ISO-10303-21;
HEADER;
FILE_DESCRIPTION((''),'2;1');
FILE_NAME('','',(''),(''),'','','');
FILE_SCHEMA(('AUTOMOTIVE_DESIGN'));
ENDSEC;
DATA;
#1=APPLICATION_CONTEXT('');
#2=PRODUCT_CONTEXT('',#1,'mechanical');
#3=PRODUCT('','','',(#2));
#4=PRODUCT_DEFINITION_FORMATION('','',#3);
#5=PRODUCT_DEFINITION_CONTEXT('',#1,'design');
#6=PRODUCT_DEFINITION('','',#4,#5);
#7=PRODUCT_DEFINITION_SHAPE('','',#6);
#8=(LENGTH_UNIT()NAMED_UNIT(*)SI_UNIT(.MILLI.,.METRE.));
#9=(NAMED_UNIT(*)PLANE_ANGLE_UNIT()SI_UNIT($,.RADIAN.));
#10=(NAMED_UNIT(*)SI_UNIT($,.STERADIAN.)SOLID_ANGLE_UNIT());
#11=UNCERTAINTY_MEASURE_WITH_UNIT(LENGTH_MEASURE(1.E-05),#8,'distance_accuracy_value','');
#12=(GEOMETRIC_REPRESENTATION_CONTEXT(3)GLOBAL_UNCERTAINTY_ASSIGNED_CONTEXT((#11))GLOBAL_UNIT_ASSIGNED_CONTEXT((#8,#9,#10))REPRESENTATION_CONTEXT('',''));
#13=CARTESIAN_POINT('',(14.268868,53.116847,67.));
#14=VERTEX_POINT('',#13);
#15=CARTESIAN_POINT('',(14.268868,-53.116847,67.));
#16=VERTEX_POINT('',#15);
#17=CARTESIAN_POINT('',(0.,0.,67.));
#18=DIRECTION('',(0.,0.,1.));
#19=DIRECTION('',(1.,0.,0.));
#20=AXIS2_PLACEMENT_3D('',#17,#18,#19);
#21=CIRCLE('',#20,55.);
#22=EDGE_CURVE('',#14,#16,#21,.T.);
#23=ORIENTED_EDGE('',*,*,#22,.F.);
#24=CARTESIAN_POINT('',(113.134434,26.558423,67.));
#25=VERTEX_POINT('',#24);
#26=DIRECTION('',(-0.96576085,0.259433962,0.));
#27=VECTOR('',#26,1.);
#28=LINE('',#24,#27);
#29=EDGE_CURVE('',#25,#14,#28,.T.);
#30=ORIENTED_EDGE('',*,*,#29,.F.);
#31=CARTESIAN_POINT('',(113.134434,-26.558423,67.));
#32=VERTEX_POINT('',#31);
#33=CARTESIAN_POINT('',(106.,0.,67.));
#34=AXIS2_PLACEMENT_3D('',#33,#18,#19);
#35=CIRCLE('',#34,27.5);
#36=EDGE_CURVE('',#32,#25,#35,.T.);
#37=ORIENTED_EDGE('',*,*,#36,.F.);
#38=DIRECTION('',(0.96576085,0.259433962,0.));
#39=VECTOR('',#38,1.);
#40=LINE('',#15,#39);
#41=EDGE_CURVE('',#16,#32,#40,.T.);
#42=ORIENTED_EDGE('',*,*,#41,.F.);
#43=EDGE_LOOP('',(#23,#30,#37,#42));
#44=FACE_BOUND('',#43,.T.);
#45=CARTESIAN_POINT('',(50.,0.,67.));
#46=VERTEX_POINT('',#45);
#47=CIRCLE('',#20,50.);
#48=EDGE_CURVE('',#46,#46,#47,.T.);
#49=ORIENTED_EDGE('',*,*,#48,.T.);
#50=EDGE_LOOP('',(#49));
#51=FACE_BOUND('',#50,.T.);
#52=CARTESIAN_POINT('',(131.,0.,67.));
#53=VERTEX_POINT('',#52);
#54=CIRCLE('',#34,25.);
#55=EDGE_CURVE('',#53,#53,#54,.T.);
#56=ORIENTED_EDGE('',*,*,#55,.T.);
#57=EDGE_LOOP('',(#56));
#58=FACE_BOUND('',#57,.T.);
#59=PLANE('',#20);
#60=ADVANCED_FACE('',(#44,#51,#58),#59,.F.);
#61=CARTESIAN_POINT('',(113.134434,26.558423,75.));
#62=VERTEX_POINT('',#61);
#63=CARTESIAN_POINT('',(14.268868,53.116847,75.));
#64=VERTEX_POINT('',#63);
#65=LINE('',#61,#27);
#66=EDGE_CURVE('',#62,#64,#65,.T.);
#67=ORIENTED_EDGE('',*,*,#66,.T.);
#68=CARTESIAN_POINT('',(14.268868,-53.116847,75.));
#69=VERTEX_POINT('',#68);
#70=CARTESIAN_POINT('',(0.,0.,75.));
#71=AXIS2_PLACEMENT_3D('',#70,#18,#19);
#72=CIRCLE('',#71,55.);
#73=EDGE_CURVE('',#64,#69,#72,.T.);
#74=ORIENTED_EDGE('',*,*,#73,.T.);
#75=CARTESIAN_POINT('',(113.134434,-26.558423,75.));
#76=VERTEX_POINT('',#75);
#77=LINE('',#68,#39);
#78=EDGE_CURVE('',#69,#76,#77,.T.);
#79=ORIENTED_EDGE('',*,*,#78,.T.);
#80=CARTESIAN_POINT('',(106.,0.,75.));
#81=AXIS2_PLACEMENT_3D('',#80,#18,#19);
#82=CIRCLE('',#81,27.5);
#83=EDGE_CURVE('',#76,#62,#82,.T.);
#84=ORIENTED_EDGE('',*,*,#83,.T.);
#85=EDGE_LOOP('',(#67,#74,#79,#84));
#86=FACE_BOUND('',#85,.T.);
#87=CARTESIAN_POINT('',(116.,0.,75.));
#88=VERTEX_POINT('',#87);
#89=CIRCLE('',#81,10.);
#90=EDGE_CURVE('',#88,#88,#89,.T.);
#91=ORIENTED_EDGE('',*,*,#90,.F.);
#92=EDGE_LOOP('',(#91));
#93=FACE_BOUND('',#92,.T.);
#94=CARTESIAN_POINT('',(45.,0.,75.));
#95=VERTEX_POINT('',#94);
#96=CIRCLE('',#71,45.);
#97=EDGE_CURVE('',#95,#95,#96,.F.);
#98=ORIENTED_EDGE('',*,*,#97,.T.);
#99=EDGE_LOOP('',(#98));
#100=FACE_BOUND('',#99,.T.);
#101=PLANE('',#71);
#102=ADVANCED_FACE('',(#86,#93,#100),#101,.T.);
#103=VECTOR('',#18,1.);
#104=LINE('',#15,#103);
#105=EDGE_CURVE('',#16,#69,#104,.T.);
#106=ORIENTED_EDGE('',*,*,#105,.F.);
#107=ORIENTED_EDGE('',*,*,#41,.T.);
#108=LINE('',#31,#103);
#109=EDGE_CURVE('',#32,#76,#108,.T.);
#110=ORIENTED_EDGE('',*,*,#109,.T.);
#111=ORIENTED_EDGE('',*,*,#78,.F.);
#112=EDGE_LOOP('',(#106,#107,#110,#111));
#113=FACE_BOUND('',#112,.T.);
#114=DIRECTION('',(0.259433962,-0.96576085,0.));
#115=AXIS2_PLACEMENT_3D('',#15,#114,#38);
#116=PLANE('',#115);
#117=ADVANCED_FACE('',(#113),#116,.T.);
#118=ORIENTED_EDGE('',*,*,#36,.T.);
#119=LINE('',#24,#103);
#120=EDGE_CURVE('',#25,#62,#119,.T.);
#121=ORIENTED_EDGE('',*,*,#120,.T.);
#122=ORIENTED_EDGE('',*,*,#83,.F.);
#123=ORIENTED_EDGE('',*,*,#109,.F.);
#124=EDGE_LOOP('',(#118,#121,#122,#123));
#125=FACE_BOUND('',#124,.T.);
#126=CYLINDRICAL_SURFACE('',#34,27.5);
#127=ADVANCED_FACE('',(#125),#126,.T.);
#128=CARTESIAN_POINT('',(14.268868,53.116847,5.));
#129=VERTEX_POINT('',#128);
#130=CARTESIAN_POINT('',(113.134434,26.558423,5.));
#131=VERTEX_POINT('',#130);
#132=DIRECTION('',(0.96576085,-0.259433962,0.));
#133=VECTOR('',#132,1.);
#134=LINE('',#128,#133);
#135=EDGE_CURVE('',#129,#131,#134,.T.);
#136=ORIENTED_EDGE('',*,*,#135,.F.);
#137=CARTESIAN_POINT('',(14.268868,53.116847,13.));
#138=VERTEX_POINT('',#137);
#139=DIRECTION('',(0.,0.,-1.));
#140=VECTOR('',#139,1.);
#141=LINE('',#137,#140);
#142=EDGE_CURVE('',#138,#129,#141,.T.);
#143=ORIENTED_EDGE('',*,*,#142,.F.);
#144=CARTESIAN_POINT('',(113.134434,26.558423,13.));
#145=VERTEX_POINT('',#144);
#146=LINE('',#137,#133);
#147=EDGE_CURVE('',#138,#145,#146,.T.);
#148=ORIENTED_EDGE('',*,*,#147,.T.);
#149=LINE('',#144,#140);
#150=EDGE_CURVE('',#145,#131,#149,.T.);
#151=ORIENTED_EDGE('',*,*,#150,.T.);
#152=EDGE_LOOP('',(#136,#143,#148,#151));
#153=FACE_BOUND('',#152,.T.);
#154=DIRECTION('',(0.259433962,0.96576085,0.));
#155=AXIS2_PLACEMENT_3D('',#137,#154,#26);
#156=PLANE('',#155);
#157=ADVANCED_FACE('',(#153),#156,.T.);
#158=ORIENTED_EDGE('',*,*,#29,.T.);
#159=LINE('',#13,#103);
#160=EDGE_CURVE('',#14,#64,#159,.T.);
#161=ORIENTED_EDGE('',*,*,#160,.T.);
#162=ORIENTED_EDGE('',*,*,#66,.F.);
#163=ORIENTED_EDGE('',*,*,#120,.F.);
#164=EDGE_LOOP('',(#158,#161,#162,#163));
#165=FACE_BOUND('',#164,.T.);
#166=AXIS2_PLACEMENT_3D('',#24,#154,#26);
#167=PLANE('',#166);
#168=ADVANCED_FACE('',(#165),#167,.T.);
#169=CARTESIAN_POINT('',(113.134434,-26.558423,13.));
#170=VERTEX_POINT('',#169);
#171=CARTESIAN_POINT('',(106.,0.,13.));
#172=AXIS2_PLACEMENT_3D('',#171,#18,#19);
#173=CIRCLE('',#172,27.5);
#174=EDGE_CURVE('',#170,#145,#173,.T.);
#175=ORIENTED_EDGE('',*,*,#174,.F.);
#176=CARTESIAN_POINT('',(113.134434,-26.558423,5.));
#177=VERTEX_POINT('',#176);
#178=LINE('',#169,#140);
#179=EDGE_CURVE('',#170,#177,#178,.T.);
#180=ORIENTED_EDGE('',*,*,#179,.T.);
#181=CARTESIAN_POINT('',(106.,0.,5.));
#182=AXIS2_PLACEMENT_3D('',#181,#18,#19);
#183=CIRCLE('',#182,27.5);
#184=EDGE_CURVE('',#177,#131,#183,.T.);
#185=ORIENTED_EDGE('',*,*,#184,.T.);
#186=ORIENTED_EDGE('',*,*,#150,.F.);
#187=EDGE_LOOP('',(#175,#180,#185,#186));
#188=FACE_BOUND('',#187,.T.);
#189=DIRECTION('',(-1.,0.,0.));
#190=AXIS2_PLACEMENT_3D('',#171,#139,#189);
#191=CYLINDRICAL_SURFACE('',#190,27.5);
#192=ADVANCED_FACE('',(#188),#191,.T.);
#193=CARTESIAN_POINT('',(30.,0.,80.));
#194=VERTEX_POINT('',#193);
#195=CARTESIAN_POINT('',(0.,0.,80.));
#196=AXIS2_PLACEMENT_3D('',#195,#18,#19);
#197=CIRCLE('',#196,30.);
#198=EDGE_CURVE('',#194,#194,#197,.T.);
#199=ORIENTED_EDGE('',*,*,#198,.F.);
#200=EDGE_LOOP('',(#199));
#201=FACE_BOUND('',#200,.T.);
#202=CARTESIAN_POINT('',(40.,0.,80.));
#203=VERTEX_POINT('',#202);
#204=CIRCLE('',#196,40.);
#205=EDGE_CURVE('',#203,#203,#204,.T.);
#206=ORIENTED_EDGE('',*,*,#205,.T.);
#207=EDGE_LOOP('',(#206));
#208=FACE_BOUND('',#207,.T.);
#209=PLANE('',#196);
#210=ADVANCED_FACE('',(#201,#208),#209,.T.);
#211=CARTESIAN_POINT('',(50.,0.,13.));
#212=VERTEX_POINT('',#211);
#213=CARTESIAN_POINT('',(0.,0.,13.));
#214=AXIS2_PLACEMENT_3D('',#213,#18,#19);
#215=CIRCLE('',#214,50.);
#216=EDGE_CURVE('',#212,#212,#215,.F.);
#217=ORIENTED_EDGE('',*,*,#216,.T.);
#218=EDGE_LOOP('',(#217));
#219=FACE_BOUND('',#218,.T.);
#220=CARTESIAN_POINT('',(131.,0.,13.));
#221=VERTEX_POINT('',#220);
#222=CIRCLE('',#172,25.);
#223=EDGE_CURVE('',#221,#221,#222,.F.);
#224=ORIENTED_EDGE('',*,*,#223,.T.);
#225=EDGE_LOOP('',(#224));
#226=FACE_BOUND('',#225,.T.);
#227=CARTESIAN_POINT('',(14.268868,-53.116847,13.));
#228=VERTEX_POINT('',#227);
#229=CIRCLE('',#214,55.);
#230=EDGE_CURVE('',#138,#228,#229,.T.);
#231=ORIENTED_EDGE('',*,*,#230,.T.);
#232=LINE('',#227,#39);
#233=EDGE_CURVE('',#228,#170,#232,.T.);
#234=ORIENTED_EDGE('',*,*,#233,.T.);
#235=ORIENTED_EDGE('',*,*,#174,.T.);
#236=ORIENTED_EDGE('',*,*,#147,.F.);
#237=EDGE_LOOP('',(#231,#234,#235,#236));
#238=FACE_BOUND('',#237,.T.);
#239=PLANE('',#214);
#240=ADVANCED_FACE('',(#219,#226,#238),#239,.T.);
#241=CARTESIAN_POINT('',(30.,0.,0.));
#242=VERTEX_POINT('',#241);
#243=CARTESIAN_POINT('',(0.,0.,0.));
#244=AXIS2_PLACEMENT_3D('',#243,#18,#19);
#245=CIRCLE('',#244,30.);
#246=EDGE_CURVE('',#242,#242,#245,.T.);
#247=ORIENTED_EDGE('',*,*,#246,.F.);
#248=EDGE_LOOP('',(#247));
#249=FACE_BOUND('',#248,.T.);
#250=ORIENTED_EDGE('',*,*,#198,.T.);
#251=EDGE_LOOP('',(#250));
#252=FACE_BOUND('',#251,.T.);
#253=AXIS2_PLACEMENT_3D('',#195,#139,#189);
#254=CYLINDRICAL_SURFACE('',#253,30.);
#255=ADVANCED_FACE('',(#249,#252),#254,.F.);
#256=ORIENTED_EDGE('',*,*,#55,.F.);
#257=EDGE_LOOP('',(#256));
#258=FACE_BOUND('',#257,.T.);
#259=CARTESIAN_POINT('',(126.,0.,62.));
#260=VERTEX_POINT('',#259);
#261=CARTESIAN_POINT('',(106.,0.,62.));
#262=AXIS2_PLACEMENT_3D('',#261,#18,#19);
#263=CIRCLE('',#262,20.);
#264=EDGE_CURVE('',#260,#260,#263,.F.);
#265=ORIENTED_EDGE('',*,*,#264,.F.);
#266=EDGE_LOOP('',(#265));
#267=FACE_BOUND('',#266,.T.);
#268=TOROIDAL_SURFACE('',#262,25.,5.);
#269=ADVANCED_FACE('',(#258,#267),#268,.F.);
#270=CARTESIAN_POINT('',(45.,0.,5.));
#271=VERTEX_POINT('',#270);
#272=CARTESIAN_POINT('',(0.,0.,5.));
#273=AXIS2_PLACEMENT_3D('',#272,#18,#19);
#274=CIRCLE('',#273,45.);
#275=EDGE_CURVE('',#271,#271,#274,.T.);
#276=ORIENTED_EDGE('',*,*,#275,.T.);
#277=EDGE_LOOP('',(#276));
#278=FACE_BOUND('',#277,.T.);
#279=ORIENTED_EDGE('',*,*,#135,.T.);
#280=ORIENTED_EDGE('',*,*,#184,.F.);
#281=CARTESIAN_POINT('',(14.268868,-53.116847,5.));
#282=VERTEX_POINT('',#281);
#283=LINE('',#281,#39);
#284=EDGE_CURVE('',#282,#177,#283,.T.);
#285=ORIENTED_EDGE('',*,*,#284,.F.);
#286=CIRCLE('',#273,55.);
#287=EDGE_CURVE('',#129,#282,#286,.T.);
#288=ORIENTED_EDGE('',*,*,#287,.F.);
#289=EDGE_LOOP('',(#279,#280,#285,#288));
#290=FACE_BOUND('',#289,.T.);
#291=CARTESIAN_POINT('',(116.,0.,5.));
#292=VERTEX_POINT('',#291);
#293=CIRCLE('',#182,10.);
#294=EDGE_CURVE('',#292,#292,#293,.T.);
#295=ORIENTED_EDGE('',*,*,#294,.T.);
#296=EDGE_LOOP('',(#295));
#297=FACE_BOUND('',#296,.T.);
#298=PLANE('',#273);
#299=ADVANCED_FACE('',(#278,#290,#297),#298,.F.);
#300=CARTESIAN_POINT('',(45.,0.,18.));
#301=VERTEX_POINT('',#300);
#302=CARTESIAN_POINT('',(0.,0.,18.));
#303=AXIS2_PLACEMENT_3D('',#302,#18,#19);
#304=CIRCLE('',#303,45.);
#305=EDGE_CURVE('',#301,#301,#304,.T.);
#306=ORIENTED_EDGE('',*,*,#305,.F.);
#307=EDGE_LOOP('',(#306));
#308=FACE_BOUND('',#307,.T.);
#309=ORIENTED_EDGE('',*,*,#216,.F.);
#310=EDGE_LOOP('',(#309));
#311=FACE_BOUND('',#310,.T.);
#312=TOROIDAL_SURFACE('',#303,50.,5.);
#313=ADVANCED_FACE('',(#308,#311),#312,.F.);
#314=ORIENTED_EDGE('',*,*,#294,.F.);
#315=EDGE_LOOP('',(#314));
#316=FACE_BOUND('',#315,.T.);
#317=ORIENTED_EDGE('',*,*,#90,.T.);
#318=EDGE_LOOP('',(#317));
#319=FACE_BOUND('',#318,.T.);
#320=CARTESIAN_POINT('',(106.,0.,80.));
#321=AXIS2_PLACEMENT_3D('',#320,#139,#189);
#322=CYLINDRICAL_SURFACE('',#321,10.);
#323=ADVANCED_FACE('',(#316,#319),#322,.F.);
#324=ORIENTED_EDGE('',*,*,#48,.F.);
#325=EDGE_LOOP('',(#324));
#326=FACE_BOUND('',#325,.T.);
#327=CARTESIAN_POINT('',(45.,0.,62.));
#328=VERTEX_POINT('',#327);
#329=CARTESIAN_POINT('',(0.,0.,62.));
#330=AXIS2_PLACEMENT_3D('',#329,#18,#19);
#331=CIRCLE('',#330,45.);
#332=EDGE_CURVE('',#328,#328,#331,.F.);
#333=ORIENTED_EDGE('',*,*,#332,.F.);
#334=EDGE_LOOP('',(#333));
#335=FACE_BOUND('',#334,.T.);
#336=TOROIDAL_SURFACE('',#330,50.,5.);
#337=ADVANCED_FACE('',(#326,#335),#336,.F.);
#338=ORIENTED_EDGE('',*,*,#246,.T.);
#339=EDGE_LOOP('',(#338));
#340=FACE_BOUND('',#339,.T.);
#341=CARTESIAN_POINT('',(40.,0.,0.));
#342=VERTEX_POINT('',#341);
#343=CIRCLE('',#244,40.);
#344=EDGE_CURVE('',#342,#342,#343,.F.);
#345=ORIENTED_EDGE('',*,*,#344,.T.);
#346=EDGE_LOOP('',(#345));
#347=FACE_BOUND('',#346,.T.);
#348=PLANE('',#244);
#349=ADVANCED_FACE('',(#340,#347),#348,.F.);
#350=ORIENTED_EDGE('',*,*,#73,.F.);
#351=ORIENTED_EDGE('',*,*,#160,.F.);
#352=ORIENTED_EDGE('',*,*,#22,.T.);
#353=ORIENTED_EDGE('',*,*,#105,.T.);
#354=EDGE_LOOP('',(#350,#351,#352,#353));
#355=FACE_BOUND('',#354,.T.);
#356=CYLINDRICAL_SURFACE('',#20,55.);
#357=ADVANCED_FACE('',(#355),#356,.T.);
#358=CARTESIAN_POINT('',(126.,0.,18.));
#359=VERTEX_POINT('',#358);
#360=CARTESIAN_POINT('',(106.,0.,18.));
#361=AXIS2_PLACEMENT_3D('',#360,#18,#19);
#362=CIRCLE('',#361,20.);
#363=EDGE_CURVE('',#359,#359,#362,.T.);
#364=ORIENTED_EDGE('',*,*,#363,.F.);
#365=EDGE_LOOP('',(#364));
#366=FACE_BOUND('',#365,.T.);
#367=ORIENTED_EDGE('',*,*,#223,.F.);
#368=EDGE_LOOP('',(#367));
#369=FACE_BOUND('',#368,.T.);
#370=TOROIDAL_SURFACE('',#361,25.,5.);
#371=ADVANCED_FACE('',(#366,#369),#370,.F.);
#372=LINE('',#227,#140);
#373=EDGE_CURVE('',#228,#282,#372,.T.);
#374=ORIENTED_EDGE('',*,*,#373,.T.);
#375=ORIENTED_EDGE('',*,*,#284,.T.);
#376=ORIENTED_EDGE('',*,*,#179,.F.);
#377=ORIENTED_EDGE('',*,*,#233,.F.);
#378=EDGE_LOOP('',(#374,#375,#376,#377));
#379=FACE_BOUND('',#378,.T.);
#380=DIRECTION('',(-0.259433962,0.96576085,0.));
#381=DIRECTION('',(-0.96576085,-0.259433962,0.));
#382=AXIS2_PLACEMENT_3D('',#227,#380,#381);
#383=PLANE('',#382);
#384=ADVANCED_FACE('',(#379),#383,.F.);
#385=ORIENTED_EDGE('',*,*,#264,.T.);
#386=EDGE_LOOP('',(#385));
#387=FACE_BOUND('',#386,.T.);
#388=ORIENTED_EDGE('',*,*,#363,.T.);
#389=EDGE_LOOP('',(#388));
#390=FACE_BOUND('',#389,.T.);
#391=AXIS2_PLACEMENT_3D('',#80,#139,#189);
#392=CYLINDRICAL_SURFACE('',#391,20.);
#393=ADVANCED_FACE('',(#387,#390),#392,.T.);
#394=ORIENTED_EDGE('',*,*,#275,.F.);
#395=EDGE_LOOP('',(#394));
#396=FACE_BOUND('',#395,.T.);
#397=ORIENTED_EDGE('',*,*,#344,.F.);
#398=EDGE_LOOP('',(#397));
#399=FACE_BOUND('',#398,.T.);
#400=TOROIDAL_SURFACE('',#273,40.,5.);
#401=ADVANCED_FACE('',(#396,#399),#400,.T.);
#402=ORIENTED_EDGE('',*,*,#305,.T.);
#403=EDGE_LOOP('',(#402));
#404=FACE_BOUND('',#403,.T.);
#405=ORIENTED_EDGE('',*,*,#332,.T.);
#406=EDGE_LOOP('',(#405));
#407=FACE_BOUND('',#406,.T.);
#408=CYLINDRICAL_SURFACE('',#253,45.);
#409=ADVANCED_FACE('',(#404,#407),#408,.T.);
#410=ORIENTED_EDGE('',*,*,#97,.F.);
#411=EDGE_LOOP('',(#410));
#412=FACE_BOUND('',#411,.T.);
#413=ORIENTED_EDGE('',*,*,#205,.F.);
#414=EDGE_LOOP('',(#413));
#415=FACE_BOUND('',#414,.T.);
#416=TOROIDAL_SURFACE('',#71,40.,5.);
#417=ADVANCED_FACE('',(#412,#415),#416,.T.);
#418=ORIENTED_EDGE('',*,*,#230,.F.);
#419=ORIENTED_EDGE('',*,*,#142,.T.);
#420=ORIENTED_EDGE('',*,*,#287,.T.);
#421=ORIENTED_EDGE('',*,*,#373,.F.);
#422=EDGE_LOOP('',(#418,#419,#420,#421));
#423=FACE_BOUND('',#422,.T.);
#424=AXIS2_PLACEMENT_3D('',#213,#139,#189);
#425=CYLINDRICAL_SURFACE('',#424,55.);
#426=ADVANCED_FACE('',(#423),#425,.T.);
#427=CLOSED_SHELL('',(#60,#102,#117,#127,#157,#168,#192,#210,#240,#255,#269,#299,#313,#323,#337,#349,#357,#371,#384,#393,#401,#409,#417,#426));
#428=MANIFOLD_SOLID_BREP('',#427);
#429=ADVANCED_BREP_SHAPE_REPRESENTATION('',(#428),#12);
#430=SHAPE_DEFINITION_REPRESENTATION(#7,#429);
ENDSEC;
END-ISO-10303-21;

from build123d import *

# Parameters (mm, degrees)
SKETCH_1_R               = 45
SKETCH_1_R_2             = 30
EXTRUDE_1_DEPTH          = 80
FILLET_1_R               = 5
EXTRUDE_START            = 5
SKETCH_1_6_R             = 10
SKETCH_1_6_R_2           = 45
EXTRUDE_4_DEPTH          = 8
EXTRUDE_START_2          = -13
SKETCH_3_R               = 10
SKETCH_3_R_2             = 30
EXTRUDE_7_DEPTH          = 8
SKETCH_4_R               = 20
EXTRUDE_9_DEPTH          = 70
CUT_EXTRUDE_1_DEPTH      = 163.702950188
CUT_EXTRUDE_1_DEPTH_BACK = 163.702950188
SKETCH_5_R               = 10
FILLET_2_R               = 5


with BuildPart() as part:
    # 草图1 → 凸台-拉伸1 (new body)
    with BuildSketch(Plane.XY):
        Circle(SKETCH_1_R)
        Circle(SKETCH_1_R_2, mode=Mode.SUBTRACT)
    extrude(amount=EXTRUDE_1_DEPTH)

    # 圆角1
    fillet_1_edges = [part.edges().sort_by_distance(p)[0] for p in [
        (-45, 0, 0),
        (-45, 0, 80),
    ]]
    fillet(fillet_1_edges, radius=FILLET_1_R)

    # 草图1<6> → 凸台-拉伸4 (add)
    with BuildSketch(Plane.XY.offset(EXTRUDE_START)):
        with BuildLine():
            Line((113.134433962, 26.558423373), (14.268867925, 53.116846745))
            ThreePointArc((14.268867925, 53.116846745), (-55, 0), (14.268867925, -53.116846745))
            Line((14.268867925, -53.116846745), (113.134433962, -26.558423373))
            ThreePointArc((113.134433962, -26.558423373), (133.5, 0), (113.134433962, 26.558423373))
        make_face()
        with Locations((106, 0)):
            Circle(SKETCH_1_6_R, mode=Mode.SUBTRACT)
        Circle(SKETCH_1_6_R_2, mode=Mode.SUBTRACT)
    extrude(amount=EXTRUDE_4_DEPTH)

    # 草图3 → 凸台-拉伸7 (add)
    with BuildSketch(Plane.XY.offset(80).offset(EXTRUDE_START_2)):
        with BuildLine():
            Line((14.268867925, -53.116846745), (113.134433962, -26.558423373))
            ThreePointArc((113.134433962, -26.558423373), (133.5, 0), (113.134433962, 26.558423373))
            Line((113.134433962, 26.558423373), (14.268867925, 53.116846745))
            ThreePointArc((14.268867925, 53.116846745), (-55, 0), (14.268867925, -53.116846745))
        make_face()
        with Locations((106, 0)):
            Circle(SKETCH_3_R, mode=Mode.SUBTRACT)
        Circle(SKETCH_3_R_2, mode=Mode.SUBTRACT)
    extrude(amount=EXTRUDE_7_DEPTH)

    # 草图4 → 凸台-拉伸9 (add)
    with BuildSketch(Plane(origin=(0, 0, 5), x_dir=(-1, 0, 0), z_dir=(0, 0, -1))):
        with Locations((-106, 0)):
            Circle(SKETCH_4_R)
    extrude(amount=-EXTRUDE_9_DEPTH)

    # 草图5 → 切除-拉伸1 (cut, two sides: drawn at the far end of the back side and taken through both)
    with BuildSketch(Plane(origin=(0, 0, 5), x_dir=(-1, 0, 0), z_dir=(0, 0, -1)).offset(-CUT_EXTRUDE_1_DEPTH_BACK)):
        with Locations((-106, 0)):
            Circle(SKETCH_5_R)
    extrude(amount=CUT_EXTRUDE_1_DEPTH + CUT_EXTRUDE_1_DEPTH_BACK, mode=Mode.SUBTRACT)

    # 圆角2
    fillet_2_edges = [part.edges().sort_by_distance(p)[0] for p in [
        (-45, 0, 13),
        (-45, 0, 67),
        (126, 0, 13),
        (126, 0, 67),
    ]]
    fillet(fillet_2_edges, radius=FILLET_2_R)


solid = part.part
